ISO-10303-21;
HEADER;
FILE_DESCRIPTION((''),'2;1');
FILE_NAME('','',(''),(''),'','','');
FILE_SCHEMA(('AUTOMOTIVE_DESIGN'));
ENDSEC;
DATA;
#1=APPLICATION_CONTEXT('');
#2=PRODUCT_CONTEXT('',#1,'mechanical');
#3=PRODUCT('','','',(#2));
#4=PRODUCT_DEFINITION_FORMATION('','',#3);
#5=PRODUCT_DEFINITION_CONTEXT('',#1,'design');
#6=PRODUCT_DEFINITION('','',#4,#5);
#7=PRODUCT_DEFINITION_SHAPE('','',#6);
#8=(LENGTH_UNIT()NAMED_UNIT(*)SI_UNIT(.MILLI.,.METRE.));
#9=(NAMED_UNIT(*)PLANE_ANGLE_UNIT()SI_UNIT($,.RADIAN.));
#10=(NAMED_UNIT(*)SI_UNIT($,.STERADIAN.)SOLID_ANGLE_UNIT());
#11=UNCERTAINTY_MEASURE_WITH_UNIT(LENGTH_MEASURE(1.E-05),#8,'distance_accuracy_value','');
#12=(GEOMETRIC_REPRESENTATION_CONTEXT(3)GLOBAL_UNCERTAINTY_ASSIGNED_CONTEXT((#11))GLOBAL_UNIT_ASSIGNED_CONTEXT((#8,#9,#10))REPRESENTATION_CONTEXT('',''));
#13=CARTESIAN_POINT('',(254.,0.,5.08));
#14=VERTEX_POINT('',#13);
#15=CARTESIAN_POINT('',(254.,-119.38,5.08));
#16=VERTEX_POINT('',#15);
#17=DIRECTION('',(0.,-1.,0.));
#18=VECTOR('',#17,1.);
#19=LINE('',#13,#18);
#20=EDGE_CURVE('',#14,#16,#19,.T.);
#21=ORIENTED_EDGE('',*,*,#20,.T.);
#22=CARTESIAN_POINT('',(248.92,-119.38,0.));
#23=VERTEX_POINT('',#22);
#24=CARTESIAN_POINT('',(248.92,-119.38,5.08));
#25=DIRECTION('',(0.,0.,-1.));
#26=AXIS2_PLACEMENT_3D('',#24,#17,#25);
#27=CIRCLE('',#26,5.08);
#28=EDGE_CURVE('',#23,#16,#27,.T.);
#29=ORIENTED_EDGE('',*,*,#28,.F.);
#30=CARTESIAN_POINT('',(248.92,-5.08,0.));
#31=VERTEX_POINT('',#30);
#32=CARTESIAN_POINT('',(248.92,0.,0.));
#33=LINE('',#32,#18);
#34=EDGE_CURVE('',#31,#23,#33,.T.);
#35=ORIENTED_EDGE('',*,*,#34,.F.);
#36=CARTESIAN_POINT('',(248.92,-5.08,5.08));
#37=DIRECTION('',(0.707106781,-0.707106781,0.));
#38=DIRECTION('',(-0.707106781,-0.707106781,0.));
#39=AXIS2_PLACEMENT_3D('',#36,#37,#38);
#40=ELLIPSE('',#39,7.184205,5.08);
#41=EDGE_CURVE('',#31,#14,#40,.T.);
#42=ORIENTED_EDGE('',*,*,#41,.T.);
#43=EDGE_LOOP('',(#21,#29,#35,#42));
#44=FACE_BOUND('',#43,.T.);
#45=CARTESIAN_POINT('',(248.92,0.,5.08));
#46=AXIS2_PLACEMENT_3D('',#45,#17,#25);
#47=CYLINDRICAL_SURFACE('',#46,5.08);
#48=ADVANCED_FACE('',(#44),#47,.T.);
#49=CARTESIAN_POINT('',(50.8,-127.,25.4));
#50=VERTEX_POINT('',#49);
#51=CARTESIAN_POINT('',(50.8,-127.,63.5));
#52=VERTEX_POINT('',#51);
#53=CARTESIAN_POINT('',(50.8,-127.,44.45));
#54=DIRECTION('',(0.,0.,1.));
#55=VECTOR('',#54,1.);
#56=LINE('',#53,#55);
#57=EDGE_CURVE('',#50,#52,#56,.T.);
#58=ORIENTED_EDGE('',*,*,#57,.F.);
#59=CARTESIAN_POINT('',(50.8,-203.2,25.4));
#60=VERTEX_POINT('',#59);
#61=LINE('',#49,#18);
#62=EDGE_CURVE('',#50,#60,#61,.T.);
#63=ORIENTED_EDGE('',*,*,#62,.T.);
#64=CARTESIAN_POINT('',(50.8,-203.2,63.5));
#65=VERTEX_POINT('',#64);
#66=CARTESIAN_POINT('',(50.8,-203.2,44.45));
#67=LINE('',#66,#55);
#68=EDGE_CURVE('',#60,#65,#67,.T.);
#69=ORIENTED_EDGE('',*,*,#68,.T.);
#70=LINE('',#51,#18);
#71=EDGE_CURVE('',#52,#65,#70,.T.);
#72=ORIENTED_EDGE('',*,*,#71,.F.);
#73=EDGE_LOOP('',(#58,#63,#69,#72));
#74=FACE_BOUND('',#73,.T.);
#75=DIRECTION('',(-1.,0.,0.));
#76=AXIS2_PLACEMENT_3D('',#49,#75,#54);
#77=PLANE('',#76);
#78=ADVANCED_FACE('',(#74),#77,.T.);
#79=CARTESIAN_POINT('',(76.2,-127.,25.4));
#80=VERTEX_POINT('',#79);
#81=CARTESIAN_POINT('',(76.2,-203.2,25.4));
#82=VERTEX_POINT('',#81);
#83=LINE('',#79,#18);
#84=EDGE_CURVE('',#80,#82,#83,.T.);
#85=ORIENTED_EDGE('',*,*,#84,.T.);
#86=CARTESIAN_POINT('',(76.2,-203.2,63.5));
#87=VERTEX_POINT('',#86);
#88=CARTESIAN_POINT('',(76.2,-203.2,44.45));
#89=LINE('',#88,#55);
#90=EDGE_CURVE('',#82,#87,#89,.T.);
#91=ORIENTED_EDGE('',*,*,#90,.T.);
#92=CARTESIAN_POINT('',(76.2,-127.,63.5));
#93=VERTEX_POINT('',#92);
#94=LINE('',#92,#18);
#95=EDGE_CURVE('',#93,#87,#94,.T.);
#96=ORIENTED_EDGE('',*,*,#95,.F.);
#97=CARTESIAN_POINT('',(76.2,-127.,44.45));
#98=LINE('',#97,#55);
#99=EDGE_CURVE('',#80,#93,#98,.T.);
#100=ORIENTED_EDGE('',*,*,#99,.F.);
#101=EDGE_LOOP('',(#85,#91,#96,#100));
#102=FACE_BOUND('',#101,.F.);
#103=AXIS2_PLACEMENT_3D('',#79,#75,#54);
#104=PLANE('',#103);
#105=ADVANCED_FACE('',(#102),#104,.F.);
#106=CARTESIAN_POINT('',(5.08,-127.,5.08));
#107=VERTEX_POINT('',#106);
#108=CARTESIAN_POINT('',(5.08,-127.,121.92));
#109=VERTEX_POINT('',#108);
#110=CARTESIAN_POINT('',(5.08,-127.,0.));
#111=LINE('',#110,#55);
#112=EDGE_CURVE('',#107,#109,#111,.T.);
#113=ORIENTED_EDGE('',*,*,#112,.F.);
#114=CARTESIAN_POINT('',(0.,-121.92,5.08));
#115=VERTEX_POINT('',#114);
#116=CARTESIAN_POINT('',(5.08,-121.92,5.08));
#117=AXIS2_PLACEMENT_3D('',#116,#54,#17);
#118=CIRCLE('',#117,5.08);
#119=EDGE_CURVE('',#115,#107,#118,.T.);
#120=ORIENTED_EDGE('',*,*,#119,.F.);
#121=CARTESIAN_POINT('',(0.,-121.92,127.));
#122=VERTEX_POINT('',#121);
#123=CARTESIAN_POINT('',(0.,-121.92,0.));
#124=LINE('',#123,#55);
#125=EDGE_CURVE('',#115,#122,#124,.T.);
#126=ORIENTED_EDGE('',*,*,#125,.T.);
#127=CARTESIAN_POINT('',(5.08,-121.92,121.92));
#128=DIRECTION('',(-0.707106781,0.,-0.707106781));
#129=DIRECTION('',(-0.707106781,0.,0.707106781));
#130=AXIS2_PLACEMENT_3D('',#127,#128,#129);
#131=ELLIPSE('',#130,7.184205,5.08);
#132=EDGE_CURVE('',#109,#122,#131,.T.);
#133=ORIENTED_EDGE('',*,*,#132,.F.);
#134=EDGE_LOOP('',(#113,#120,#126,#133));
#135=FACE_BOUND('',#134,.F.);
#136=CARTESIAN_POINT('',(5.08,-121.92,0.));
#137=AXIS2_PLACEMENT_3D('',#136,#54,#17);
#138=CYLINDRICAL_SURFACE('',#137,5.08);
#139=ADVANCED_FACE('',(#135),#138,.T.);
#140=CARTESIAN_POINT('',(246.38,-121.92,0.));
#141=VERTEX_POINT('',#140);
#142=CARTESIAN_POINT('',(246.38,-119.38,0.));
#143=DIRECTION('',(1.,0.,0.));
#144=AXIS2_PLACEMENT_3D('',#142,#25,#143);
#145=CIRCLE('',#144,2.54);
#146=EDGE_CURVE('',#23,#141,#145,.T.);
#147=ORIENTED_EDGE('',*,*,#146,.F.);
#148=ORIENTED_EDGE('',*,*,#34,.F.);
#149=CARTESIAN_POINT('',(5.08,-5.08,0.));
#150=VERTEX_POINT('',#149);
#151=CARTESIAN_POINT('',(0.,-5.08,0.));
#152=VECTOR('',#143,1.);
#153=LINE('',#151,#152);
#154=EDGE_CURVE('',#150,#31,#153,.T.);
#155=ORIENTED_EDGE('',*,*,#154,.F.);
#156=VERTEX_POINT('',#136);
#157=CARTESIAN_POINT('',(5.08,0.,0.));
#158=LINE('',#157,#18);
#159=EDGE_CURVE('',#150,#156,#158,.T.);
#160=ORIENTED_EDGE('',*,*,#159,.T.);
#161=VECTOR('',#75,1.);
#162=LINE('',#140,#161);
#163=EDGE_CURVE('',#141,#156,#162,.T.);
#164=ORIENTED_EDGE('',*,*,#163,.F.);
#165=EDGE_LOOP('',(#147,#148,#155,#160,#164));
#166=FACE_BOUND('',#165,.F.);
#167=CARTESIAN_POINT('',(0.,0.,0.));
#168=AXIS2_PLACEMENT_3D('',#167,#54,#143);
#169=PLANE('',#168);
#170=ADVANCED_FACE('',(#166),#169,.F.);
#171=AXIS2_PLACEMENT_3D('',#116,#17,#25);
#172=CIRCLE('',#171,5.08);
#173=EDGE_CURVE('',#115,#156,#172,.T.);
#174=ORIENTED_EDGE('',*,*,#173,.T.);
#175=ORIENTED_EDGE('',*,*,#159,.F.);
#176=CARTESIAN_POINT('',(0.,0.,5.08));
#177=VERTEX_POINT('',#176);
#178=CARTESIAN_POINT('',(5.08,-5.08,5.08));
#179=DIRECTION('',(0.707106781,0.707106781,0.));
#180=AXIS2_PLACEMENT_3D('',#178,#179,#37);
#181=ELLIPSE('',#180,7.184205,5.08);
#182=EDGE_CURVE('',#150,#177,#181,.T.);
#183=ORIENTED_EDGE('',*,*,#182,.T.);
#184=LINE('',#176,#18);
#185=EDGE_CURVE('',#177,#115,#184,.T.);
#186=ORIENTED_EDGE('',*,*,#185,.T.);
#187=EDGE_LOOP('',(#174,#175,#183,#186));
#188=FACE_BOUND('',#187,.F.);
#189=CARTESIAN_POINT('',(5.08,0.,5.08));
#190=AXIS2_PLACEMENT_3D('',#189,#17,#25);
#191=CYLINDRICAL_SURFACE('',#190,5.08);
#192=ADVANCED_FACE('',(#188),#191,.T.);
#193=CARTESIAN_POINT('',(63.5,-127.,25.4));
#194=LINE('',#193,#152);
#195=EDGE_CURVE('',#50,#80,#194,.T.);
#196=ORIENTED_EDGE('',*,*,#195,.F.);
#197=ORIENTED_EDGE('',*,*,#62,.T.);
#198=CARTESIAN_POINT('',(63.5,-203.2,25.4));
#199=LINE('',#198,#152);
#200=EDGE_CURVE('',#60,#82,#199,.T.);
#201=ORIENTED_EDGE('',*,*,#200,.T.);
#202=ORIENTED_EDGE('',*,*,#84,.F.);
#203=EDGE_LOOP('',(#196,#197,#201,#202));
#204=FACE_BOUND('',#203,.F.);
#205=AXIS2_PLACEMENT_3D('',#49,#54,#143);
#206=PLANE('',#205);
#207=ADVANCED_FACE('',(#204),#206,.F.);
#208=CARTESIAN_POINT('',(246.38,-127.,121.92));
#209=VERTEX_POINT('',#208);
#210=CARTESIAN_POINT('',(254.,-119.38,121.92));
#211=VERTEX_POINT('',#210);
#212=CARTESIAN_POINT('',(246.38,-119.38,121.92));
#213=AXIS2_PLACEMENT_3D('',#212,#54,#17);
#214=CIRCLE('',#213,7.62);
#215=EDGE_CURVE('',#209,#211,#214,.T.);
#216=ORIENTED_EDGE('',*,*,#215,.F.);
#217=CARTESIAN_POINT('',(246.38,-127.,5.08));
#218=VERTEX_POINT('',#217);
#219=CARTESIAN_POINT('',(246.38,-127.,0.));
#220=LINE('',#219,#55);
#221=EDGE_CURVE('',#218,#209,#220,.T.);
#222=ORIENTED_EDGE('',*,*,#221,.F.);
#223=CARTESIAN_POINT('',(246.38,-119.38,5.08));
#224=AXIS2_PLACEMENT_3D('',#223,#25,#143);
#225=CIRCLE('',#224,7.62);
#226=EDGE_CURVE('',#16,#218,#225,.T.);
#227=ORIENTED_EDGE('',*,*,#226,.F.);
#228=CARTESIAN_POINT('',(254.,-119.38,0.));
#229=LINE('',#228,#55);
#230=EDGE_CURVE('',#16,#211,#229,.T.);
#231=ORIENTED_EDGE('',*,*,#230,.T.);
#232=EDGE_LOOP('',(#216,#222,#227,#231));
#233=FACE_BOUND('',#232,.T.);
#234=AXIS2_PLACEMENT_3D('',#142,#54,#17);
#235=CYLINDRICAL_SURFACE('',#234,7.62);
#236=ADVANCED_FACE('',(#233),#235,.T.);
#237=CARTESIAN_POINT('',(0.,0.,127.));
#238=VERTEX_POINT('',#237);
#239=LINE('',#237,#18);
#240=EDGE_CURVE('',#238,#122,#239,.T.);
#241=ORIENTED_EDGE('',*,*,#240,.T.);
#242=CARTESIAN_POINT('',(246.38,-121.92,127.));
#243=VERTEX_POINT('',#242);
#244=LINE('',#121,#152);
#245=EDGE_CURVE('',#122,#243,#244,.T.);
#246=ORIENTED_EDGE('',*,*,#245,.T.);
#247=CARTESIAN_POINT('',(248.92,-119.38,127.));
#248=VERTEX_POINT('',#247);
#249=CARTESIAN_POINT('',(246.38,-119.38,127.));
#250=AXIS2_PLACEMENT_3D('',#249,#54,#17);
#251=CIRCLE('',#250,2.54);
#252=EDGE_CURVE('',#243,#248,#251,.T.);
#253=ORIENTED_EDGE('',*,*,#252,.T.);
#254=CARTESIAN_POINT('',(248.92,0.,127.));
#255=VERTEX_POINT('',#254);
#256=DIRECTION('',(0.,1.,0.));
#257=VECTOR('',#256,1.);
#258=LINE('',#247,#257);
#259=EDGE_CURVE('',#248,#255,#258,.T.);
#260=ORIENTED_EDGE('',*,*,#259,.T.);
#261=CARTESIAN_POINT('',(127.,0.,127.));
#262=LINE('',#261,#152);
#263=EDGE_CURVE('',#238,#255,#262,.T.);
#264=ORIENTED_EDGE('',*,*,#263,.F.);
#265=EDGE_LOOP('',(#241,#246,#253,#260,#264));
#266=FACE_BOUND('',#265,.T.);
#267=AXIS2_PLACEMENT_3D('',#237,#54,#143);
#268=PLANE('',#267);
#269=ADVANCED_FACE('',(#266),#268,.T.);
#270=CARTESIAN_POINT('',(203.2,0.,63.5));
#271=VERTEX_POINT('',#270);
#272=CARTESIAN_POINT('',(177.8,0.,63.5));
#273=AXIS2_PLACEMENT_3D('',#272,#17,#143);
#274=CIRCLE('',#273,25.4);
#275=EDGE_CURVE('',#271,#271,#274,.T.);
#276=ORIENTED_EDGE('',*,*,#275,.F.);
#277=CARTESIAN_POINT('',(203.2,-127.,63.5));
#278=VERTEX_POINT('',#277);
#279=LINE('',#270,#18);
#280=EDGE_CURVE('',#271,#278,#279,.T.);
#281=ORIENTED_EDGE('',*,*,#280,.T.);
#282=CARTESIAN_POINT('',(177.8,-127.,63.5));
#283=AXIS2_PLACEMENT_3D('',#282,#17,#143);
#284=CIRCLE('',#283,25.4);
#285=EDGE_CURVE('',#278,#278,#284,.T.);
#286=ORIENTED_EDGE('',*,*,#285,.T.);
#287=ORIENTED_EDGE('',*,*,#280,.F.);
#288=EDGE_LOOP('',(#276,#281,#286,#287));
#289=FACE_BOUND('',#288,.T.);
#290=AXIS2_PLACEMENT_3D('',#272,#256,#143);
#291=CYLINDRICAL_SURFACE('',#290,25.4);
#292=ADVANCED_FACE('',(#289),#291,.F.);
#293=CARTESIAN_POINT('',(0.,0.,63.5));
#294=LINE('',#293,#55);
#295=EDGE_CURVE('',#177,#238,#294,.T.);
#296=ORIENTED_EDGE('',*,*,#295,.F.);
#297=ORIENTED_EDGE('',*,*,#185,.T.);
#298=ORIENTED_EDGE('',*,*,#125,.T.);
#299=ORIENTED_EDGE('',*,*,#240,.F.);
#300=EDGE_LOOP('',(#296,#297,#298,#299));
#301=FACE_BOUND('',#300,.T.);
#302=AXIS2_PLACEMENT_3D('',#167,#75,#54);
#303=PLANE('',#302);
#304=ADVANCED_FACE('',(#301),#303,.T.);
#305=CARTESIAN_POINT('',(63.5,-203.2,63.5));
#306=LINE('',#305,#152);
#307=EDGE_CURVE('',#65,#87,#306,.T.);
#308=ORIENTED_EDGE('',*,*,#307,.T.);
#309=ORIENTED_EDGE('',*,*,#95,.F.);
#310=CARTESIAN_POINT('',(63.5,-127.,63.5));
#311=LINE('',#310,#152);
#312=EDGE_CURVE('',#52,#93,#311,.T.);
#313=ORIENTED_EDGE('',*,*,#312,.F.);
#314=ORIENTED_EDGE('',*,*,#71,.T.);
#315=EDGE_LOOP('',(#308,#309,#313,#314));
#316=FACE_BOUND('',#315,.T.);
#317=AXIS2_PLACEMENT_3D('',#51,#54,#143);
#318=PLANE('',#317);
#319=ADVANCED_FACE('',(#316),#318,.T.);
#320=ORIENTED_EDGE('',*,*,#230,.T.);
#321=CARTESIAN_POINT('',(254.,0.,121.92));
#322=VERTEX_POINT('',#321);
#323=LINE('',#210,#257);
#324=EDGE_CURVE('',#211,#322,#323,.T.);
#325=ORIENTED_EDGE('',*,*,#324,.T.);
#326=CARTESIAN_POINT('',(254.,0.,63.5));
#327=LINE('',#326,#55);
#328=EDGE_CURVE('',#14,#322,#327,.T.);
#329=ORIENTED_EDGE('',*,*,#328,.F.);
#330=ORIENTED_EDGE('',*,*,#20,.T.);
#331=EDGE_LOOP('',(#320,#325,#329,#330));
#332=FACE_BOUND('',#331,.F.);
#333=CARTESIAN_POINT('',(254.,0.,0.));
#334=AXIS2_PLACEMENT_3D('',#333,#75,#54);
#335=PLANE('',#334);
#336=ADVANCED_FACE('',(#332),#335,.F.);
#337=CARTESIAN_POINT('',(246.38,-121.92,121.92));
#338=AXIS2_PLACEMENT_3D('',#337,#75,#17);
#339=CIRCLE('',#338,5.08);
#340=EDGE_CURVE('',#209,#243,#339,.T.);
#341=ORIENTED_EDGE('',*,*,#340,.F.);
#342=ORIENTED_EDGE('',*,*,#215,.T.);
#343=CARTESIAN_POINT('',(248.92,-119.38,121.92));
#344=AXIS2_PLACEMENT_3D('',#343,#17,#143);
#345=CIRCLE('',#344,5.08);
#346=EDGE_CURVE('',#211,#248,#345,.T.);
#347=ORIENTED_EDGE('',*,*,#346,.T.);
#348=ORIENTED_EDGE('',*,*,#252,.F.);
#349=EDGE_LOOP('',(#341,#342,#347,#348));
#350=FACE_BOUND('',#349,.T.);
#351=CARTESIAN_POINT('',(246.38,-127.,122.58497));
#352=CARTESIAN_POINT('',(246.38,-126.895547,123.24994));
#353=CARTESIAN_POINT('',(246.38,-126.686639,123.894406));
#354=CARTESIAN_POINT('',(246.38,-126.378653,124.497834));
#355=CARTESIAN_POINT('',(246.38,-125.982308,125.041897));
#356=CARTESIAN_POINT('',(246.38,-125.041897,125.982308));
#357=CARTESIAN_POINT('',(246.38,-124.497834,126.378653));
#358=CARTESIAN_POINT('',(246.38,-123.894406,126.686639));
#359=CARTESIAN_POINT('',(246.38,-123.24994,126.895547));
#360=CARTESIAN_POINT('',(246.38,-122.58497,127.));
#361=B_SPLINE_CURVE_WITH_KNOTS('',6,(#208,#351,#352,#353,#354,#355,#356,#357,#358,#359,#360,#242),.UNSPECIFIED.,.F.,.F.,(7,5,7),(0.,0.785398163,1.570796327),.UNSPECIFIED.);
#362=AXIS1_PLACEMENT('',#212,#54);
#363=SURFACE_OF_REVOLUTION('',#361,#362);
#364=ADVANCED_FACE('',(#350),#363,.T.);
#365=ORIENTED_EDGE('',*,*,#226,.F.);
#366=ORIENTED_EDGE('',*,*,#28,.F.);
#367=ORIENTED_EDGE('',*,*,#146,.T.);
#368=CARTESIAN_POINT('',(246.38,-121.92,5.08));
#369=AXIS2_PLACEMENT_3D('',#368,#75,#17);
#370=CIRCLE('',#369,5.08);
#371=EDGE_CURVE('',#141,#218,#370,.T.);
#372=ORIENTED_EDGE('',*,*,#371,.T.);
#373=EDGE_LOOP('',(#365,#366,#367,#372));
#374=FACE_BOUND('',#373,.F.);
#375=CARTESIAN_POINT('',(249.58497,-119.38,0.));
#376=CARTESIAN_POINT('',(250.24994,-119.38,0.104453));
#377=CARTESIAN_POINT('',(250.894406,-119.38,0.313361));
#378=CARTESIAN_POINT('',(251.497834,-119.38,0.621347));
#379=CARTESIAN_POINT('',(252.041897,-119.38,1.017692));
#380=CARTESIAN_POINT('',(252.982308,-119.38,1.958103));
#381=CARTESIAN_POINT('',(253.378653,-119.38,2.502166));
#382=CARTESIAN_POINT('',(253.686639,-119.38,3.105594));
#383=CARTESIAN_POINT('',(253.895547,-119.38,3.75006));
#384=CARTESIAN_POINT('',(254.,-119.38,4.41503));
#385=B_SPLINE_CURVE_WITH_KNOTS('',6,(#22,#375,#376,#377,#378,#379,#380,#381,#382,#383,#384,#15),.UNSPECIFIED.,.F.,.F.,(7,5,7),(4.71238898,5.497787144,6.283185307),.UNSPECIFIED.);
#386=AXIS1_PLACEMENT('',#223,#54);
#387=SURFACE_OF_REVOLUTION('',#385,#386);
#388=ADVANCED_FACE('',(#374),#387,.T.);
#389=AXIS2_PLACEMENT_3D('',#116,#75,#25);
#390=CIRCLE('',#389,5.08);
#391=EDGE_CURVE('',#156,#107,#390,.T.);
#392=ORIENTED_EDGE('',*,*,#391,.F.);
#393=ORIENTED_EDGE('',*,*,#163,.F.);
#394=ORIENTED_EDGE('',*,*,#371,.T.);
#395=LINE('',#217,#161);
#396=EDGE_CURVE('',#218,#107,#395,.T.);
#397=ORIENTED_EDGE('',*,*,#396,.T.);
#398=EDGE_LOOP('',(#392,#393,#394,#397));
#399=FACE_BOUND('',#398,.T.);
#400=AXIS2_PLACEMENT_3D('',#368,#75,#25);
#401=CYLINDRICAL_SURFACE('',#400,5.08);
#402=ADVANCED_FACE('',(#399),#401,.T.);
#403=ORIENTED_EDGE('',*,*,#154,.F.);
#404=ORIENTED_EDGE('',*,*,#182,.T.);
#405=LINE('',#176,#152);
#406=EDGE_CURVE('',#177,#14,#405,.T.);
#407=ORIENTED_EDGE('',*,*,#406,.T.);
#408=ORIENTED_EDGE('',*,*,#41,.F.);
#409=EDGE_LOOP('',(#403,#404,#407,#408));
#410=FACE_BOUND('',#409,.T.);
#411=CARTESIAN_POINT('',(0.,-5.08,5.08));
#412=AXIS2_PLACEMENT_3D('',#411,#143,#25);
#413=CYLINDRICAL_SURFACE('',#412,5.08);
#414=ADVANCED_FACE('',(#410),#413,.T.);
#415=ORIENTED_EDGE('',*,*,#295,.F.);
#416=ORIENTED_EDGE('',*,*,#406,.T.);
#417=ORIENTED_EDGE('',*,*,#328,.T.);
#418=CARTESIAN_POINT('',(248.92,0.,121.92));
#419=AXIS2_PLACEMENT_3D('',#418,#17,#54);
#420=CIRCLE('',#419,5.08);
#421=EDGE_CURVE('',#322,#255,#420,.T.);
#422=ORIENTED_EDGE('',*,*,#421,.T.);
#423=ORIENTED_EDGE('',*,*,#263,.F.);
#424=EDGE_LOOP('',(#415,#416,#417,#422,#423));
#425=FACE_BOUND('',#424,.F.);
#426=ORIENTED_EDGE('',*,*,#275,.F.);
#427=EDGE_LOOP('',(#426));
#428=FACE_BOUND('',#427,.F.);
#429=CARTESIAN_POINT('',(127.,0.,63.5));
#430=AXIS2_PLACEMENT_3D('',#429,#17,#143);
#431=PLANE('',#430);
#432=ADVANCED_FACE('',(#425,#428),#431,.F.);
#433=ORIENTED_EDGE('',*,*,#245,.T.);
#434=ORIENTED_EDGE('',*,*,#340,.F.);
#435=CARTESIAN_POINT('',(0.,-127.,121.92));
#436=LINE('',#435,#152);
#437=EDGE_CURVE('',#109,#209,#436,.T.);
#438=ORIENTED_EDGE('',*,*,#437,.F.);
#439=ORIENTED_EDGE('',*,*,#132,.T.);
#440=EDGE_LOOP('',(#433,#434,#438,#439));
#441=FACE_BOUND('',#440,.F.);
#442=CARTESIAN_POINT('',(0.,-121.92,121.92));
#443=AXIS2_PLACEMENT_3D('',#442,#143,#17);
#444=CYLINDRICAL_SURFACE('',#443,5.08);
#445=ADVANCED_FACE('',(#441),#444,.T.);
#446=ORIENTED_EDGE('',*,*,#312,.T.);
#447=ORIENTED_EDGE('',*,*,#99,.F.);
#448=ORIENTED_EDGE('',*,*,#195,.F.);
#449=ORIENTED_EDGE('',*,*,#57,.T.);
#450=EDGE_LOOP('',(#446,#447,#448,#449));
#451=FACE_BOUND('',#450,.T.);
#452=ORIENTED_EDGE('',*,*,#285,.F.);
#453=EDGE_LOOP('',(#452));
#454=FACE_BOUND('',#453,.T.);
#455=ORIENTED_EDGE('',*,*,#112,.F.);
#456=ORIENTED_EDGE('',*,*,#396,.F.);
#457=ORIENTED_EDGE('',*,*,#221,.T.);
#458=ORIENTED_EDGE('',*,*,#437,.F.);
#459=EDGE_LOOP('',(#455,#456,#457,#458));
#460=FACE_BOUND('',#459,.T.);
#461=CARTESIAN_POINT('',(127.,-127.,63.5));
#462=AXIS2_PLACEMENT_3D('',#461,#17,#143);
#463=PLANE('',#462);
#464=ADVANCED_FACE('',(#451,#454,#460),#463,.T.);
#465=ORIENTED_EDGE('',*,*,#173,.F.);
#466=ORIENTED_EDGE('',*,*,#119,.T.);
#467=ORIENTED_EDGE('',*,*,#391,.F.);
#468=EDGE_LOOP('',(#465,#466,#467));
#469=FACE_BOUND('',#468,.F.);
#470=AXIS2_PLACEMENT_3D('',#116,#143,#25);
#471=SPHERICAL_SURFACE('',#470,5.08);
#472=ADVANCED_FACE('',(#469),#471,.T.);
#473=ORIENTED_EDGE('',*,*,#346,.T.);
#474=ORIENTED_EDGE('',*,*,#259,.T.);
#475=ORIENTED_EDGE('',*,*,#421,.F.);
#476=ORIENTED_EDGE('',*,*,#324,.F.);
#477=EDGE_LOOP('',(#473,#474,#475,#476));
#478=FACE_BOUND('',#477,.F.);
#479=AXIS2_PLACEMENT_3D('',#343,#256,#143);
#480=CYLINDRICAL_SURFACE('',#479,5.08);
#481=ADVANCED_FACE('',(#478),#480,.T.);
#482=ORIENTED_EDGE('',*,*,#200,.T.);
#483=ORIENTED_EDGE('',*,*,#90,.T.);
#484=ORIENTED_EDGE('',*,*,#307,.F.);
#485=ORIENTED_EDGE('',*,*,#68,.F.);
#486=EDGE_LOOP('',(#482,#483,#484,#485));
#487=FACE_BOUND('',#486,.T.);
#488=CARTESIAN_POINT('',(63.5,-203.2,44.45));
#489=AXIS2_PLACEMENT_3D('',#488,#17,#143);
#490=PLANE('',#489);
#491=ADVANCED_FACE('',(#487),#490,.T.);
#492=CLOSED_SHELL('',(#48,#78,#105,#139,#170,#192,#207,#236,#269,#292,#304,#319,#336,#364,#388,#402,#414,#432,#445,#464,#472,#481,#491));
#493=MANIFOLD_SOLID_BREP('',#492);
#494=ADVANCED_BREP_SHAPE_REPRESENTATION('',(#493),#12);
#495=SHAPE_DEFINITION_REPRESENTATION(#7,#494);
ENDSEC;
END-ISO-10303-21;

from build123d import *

# Parameters (mm, degrees)
F0_W     = 254
F0_H     = 127
F0_R     = 25.4
F1_DEPTH = 127
F2_W     = 25.4
F2_H     = 38.1
F3_DEPTH = 76.2
F4_R     = 7.62
F5_R     = 5.08


with BuildPart() as f1:
    # F0 (on Front) → F1 (new body)
    with BuildSketch(Plane.XZ):
        with Locations((127, 63.5)):
            Rectangle(F0_W, F0_H)
        with Locations((177.8, 63.5)):
            Circle(F0_R, mode=Mode.SUBTRACT)
    extrude(amount=F1_DEPTH)

    # F2 (on face) → F3 (join)
    with BuildSketch(Plane.XZ.offset(127)):
        with Locations((63.5, 44.45)):
            Rectangle(F2_W, F2_H)
    extrude(amount=F3_DEPTH)

    # F4
    f4_edges = [f1.edges().sort_by_distance(p)[0] for p in [
        (254, -127, 63.5),
    ]]
    fillet(f4_edges, radius=F4_R)

    # F5
    f5_edges = [f1.edges().sort_by_distance(p)[0] for p in [
        (254, -59.69, 0),
        (251.768154, -124.768154, 0),
        (127, 0, 0),
        (123.19, -127, 0),
        (0, -63.5, 0),
        (0, -127, 63.5),
        (123.19, -127, 127),
    ]]
    fillet(f5_edges, radius=F5_R)


solid = f1.part
